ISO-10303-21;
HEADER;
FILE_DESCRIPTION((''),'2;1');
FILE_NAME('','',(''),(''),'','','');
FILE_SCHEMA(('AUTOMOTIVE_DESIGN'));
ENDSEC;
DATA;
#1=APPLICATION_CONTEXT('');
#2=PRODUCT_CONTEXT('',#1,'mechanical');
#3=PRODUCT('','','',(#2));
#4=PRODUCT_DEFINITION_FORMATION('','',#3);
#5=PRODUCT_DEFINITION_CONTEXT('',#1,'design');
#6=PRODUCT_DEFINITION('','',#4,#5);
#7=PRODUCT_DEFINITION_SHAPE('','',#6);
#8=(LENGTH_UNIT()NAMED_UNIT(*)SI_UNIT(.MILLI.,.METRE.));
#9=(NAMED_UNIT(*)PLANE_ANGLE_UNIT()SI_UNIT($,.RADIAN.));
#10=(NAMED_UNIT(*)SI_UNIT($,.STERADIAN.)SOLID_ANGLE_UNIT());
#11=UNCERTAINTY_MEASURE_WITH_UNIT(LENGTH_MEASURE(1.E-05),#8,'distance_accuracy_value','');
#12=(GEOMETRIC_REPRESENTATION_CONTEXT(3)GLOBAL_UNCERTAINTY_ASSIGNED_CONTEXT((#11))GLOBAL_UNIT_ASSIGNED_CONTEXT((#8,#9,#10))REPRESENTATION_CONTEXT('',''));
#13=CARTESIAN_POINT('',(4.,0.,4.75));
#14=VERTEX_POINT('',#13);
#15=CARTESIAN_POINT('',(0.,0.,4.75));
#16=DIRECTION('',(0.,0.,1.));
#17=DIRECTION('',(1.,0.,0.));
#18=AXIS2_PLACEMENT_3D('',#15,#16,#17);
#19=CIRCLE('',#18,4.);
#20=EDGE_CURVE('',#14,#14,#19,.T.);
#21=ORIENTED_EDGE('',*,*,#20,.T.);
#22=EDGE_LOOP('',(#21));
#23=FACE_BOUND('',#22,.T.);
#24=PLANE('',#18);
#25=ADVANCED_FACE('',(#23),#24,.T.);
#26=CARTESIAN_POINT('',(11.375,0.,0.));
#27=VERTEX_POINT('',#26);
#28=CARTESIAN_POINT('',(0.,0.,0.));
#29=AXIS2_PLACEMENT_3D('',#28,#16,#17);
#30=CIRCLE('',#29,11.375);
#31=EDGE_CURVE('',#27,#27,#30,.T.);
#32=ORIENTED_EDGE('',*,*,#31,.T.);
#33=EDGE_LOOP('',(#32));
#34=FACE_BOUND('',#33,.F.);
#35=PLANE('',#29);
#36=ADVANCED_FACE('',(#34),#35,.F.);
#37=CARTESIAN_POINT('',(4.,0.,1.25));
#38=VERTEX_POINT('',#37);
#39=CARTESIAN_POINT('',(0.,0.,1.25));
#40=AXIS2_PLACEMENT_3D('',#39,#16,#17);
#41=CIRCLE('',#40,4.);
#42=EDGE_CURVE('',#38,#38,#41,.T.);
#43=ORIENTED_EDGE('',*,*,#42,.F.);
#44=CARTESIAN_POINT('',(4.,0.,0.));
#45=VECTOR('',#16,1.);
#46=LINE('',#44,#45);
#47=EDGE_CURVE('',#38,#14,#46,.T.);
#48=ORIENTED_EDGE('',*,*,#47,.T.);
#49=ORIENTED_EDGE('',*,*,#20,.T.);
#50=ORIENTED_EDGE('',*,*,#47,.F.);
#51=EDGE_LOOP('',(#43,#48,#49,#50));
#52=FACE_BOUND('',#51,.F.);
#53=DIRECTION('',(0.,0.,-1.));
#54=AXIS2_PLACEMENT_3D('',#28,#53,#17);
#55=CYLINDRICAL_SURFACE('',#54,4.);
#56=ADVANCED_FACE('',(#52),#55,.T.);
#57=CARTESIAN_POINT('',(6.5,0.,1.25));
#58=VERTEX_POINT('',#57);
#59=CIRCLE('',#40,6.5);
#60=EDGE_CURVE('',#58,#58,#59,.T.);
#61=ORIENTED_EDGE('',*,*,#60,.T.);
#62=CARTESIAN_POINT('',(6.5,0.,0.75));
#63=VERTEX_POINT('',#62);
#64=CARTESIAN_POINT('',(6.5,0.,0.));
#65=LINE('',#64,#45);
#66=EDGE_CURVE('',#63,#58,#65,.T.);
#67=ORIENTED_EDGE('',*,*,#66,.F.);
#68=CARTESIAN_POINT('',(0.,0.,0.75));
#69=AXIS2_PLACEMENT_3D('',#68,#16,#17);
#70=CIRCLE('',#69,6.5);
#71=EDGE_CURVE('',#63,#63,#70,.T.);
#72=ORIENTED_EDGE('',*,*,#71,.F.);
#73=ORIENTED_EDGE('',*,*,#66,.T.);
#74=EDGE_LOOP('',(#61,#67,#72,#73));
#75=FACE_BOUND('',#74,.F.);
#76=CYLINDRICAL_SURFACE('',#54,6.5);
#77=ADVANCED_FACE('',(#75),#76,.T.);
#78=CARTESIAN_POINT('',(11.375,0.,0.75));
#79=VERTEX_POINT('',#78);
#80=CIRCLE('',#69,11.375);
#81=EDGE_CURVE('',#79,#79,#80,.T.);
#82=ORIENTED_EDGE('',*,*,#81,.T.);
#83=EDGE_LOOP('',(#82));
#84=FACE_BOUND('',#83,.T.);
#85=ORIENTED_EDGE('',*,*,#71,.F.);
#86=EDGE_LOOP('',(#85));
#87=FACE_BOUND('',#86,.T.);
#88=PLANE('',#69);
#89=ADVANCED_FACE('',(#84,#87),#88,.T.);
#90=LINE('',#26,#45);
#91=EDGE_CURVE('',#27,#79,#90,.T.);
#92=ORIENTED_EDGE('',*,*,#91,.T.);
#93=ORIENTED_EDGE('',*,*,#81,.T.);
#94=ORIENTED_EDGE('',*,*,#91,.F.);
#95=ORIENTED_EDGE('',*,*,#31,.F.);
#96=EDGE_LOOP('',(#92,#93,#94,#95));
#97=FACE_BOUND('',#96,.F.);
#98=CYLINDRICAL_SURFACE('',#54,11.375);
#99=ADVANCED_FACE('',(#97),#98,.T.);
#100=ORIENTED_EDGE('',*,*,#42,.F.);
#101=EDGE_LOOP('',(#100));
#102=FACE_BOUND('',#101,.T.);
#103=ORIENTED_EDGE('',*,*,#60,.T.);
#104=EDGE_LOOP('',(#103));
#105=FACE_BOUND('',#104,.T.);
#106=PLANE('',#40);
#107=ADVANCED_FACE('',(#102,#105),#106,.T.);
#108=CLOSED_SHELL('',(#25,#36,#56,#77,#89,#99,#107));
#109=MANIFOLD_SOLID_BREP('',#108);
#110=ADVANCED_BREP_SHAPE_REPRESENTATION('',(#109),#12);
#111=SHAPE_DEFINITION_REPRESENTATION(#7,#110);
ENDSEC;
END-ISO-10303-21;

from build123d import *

# Parameters (mm, degrees)
F0_R     = 11.375
F0_R_2   = 6.5
F1_DEPTH = 0.75
F0_R_3   = 4
F2_DEPTH = 1.25
F3_DEPTH = 4.75


with BuildPart() as f1:
    # F0 (on Top) → F1 (new body)
    with BuildSketch(Plane.XY):
        Circle(F0_R)
        Circle(F0_R_2, mode=Mode.SUBTRACT)
    extrude(amount=F1_DEPTH)

    # F0 (on Top) → F2 (join)
    with BuildSketch(Plane.XY):
        Circle(F0_R_2)
        Circle(F0_R_3, mode=Mode.SUBTRACT)
    extrude(amount=F2_DEPTH)

    # F0 (on Top) → F3 (join)
    with BuildSketch(Plane.XY):
        Circle(F0_R_3)
    extrude(amount=F3_DEPTH)


solid = f1.part
